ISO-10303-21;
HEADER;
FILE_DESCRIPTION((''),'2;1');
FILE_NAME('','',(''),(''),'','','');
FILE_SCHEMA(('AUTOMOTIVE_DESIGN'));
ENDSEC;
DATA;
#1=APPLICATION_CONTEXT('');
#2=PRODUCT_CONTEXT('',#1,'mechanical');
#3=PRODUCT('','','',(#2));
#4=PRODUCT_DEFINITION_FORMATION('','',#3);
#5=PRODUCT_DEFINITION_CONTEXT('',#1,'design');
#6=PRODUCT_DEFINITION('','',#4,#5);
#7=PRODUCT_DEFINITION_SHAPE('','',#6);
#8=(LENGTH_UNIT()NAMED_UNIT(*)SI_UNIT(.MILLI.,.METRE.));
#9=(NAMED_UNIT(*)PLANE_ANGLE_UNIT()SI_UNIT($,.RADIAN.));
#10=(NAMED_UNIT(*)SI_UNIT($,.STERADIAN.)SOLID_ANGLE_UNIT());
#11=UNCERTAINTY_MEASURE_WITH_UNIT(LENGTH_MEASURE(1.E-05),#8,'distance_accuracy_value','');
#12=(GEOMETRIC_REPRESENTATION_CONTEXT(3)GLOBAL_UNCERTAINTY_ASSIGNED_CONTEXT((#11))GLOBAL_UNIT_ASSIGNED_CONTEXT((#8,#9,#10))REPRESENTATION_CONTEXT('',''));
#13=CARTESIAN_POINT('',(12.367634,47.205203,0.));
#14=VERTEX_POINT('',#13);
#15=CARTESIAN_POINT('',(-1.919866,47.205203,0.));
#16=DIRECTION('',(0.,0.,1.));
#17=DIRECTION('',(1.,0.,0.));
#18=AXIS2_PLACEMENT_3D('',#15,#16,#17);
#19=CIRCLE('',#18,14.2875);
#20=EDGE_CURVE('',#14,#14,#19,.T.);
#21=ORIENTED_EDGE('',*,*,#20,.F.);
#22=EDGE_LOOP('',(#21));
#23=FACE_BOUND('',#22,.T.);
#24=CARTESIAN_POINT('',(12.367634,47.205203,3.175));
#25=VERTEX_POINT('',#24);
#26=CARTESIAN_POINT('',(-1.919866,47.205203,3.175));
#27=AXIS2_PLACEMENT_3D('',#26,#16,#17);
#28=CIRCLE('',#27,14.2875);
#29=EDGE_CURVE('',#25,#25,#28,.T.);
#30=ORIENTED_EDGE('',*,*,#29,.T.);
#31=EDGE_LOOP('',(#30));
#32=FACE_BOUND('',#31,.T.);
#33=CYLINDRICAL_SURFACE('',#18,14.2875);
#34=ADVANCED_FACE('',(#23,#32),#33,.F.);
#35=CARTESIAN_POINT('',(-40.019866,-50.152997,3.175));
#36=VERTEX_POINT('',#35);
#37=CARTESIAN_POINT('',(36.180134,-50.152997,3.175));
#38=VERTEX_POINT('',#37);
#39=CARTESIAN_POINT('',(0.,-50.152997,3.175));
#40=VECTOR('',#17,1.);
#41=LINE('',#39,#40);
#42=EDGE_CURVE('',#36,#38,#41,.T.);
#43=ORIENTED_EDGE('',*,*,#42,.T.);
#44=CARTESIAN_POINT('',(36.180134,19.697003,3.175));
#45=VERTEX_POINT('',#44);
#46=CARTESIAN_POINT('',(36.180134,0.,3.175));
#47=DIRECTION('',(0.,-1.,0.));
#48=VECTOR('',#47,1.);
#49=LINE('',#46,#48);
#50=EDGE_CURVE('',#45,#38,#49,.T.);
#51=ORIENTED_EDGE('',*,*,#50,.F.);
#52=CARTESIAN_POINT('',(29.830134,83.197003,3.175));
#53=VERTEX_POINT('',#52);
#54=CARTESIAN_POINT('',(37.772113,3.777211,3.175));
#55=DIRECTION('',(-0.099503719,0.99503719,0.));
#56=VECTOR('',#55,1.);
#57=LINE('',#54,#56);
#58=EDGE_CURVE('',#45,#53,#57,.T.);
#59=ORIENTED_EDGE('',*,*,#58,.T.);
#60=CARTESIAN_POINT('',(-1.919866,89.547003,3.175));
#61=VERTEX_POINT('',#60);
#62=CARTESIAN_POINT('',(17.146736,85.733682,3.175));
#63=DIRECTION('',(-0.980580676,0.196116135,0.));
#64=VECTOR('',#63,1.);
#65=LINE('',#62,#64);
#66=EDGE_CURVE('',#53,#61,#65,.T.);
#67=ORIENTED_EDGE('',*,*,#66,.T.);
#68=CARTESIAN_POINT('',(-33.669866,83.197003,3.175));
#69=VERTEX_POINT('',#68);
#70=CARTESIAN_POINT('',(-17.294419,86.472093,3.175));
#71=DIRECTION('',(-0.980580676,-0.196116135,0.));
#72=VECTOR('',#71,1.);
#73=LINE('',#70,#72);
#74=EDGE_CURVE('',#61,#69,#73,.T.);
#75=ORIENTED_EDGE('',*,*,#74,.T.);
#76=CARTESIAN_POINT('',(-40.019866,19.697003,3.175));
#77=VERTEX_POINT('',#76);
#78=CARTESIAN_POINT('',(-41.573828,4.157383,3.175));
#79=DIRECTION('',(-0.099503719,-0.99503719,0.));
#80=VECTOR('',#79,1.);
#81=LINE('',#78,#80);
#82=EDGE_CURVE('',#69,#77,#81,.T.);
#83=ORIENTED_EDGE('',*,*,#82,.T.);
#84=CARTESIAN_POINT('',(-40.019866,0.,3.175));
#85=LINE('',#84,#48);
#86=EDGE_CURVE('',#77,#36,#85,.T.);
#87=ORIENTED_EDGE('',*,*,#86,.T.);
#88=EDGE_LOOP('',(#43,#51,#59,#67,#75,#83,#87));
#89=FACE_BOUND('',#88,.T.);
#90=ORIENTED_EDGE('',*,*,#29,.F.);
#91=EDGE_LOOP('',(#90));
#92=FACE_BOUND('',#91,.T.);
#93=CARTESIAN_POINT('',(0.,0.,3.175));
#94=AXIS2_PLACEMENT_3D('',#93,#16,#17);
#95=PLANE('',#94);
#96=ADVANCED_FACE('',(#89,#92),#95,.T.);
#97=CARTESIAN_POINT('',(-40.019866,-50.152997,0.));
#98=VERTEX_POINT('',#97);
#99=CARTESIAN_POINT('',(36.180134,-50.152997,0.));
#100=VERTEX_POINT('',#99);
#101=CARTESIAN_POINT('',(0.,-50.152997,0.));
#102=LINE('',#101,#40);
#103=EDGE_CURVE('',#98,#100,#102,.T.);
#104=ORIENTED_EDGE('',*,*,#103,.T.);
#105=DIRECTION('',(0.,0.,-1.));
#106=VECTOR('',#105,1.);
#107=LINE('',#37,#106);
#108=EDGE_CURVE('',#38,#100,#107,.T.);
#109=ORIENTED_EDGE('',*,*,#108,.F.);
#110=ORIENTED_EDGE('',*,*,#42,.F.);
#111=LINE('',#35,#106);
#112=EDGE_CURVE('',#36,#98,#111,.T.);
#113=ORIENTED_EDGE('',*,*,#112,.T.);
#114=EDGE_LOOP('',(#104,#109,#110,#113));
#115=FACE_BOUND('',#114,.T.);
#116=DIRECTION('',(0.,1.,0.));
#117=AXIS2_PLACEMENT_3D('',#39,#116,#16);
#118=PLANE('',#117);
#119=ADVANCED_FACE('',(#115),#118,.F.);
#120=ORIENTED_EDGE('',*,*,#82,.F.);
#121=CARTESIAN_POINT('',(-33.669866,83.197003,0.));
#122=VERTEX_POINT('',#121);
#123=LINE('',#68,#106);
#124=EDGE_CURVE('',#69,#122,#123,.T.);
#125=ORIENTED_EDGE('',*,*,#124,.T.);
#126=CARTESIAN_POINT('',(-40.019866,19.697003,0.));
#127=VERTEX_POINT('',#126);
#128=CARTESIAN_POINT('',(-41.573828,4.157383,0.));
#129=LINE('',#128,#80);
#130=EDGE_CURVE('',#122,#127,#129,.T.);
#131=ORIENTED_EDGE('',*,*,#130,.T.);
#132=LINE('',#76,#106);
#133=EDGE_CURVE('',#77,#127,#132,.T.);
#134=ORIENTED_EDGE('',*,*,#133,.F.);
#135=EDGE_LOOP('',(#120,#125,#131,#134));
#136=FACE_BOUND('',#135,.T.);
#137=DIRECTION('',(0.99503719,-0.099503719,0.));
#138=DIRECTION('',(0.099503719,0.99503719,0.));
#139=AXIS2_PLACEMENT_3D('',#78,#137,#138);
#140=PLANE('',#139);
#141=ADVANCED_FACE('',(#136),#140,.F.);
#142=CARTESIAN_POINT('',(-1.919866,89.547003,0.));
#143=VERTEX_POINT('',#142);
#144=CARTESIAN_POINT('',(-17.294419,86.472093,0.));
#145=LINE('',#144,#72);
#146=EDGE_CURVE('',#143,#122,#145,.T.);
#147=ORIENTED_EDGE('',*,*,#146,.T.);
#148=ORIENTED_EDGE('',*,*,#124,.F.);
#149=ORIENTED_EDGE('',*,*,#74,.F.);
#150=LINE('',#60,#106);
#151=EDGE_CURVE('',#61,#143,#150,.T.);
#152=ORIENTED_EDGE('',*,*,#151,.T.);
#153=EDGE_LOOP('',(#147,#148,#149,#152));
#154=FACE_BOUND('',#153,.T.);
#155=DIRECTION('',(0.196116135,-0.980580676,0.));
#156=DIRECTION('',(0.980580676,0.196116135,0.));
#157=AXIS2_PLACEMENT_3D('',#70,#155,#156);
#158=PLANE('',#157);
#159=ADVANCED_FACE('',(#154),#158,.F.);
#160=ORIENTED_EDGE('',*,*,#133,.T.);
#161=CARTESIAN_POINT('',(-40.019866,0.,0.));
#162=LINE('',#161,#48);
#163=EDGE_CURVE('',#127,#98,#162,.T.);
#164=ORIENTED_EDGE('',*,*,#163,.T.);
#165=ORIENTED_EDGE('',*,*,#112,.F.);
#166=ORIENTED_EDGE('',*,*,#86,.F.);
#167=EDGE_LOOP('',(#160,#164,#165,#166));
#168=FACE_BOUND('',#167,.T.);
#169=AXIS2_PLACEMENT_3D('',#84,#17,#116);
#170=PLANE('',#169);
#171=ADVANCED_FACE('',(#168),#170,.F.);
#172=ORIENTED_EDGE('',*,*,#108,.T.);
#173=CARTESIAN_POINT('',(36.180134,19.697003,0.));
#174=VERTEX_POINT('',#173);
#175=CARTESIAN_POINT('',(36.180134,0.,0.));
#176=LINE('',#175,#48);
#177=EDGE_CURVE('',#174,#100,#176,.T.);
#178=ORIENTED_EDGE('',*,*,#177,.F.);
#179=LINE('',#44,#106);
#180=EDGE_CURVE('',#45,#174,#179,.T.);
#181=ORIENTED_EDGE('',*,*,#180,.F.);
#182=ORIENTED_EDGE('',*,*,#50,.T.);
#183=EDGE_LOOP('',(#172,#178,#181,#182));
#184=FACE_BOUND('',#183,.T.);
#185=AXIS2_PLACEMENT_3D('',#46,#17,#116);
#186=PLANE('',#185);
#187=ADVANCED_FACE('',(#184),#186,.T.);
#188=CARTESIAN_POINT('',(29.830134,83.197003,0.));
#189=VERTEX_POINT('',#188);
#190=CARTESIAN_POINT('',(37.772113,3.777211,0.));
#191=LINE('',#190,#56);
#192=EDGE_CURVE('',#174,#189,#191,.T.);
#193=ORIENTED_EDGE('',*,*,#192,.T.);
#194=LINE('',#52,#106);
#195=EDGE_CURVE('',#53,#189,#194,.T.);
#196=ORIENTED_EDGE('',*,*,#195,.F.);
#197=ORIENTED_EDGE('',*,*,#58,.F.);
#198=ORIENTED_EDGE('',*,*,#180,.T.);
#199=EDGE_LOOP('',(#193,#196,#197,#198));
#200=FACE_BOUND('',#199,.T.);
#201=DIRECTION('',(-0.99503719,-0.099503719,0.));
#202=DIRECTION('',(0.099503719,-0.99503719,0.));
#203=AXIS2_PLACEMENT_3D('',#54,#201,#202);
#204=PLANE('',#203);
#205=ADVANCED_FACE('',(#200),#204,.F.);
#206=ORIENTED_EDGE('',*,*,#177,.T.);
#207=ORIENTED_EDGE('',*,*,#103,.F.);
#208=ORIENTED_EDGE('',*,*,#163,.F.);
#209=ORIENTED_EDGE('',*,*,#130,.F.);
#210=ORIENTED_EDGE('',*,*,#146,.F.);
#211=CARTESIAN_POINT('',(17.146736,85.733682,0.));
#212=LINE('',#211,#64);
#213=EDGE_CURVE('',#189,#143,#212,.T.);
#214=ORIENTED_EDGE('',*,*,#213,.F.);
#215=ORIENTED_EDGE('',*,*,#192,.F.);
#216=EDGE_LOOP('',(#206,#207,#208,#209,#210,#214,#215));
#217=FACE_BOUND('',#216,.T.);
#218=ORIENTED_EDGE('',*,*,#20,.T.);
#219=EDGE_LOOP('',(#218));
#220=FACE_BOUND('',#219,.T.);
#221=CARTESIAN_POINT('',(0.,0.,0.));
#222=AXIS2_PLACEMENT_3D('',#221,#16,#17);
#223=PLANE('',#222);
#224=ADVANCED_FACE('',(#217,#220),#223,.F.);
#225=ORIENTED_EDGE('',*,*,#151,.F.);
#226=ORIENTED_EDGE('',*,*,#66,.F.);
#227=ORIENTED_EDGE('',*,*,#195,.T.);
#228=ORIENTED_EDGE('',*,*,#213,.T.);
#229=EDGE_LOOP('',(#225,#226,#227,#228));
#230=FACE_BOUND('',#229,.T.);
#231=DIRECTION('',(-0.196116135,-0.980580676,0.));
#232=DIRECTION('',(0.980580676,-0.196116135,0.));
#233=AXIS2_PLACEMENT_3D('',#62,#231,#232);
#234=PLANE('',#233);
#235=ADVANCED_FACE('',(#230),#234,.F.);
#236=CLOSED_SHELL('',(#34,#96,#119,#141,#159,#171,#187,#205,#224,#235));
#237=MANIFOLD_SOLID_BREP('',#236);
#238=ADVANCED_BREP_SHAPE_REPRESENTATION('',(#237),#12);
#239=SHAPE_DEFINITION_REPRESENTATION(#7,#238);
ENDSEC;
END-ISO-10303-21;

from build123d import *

# Parameters (mm, degrees)
BOSS_EXTRUDE1_DEPTH = 3.175
SKETCH2_R           = 14.2875
CUT_EXTRUDE1_DEPTH  = 3.175


with BuildPart() as part:
    # Sketch1 → Boss-Extrude1 (new body)
    with BuildSketch(Plane.XY):
        Polygon((36.180133555, -50.152996979), (36.180133555, 19.697003021), (29.830133555, 83.197003021), (-1.919866445, 89.547003021), (-33.669866445, 83.197003021), (-40.019866445, 19.697003021), (-40.019866445, -50.152996979), align=None)
    extrude(amount=BOSS_EXTRUDE1_DEPTH)

    # Sketch2 → Cut-Extrude1 (cut)
    with BuildSketch(Plane.XY.offset(3.175)):
        with Locations((-1.919866445, 47.205203021)):
            Circle(SKETCH2_R)
    extrude(amount=-CUT_EXTRUDE1_DEPTH, mode=Mode.SUBTRACT)


solid = part.part
